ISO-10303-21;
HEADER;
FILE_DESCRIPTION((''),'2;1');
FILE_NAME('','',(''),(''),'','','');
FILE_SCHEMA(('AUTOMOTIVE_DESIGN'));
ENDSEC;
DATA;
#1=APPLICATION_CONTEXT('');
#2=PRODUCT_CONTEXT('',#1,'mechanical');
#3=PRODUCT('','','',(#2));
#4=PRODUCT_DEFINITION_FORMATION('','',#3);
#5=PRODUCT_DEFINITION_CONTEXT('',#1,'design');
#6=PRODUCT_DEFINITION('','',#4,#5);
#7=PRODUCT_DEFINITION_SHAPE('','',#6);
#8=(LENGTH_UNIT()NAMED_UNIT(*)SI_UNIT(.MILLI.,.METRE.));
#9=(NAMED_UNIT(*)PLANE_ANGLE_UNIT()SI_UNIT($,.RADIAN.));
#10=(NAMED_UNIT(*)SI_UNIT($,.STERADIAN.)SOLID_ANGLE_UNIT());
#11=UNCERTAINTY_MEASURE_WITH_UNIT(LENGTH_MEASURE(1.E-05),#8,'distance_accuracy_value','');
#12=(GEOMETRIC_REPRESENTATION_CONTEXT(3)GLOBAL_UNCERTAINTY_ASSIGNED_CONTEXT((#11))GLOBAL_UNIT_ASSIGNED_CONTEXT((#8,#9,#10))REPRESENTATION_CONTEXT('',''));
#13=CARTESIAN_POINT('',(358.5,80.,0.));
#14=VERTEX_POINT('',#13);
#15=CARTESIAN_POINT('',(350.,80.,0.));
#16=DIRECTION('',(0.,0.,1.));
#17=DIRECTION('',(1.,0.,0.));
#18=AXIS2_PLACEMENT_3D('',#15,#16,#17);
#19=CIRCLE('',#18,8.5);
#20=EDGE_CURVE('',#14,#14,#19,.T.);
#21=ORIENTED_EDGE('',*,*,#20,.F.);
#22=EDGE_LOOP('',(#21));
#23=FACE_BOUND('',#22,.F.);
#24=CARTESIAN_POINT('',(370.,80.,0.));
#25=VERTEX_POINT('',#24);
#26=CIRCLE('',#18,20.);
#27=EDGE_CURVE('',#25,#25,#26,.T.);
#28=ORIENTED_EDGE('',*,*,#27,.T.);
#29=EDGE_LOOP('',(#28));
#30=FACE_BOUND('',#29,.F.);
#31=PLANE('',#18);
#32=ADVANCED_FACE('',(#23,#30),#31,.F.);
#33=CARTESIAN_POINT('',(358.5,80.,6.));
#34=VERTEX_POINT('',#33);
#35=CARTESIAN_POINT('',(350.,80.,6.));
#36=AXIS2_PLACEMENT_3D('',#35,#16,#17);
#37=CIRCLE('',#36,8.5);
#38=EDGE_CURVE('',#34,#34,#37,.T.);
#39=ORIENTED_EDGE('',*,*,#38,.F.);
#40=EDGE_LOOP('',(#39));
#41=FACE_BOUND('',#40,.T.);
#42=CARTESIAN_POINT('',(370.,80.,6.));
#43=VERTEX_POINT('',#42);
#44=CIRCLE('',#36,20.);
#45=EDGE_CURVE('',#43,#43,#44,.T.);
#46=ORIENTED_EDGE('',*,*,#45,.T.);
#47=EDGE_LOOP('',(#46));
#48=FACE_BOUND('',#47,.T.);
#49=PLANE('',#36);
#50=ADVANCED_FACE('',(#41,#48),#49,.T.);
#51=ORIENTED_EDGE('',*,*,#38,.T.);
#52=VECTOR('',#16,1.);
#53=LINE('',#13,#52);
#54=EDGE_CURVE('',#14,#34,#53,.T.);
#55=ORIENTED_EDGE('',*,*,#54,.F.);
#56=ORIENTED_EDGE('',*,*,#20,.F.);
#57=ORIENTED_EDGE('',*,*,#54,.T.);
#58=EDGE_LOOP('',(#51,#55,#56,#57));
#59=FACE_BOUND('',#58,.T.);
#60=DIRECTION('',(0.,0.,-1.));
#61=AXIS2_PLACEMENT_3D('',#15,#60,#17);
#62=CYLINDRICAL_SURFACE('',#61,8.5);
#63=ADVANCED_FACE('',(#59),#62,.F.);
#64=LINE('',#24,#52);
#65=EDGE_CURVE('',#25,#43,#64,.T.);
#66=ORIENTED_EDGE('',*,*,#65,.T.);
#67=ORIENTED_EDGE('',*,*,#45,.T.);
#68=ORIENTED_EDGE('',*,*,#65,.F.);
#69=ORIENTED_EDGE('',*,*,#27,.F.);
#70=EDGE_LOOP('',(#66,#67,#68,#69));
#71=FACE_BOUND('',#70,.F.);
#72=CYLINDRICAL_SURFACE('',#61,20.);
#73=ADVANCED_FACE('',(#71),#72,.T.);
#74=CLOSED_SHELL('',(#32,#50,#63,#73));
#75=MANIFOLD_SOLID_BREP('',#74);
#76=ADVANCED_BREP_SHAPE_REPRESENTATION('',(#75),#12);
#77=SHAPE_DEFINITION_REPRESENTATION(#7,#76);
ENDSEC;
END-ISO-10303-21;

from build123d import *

# Parameters (mm, degrees)
SKETCH1_R           = 20
SKETCH1_R_2         = 8.5
BOSS_EXTRUDE1_DEPTH = 6


with BuildPart() as part:
    # Sketch1 → Boss-Extrude1 (new body)
    with BuildSketch(Plane.XY):
        with Locations((350, 80)):
            Circle(SKETCH1_R)
        with Locations((350, 80)):
            Circle(SKETCH1_R_2, mode=Mode.SUBTRACT)
    extrude(amount=BOSS_EXTRUDE1_DEPTH)


solid = part.part
